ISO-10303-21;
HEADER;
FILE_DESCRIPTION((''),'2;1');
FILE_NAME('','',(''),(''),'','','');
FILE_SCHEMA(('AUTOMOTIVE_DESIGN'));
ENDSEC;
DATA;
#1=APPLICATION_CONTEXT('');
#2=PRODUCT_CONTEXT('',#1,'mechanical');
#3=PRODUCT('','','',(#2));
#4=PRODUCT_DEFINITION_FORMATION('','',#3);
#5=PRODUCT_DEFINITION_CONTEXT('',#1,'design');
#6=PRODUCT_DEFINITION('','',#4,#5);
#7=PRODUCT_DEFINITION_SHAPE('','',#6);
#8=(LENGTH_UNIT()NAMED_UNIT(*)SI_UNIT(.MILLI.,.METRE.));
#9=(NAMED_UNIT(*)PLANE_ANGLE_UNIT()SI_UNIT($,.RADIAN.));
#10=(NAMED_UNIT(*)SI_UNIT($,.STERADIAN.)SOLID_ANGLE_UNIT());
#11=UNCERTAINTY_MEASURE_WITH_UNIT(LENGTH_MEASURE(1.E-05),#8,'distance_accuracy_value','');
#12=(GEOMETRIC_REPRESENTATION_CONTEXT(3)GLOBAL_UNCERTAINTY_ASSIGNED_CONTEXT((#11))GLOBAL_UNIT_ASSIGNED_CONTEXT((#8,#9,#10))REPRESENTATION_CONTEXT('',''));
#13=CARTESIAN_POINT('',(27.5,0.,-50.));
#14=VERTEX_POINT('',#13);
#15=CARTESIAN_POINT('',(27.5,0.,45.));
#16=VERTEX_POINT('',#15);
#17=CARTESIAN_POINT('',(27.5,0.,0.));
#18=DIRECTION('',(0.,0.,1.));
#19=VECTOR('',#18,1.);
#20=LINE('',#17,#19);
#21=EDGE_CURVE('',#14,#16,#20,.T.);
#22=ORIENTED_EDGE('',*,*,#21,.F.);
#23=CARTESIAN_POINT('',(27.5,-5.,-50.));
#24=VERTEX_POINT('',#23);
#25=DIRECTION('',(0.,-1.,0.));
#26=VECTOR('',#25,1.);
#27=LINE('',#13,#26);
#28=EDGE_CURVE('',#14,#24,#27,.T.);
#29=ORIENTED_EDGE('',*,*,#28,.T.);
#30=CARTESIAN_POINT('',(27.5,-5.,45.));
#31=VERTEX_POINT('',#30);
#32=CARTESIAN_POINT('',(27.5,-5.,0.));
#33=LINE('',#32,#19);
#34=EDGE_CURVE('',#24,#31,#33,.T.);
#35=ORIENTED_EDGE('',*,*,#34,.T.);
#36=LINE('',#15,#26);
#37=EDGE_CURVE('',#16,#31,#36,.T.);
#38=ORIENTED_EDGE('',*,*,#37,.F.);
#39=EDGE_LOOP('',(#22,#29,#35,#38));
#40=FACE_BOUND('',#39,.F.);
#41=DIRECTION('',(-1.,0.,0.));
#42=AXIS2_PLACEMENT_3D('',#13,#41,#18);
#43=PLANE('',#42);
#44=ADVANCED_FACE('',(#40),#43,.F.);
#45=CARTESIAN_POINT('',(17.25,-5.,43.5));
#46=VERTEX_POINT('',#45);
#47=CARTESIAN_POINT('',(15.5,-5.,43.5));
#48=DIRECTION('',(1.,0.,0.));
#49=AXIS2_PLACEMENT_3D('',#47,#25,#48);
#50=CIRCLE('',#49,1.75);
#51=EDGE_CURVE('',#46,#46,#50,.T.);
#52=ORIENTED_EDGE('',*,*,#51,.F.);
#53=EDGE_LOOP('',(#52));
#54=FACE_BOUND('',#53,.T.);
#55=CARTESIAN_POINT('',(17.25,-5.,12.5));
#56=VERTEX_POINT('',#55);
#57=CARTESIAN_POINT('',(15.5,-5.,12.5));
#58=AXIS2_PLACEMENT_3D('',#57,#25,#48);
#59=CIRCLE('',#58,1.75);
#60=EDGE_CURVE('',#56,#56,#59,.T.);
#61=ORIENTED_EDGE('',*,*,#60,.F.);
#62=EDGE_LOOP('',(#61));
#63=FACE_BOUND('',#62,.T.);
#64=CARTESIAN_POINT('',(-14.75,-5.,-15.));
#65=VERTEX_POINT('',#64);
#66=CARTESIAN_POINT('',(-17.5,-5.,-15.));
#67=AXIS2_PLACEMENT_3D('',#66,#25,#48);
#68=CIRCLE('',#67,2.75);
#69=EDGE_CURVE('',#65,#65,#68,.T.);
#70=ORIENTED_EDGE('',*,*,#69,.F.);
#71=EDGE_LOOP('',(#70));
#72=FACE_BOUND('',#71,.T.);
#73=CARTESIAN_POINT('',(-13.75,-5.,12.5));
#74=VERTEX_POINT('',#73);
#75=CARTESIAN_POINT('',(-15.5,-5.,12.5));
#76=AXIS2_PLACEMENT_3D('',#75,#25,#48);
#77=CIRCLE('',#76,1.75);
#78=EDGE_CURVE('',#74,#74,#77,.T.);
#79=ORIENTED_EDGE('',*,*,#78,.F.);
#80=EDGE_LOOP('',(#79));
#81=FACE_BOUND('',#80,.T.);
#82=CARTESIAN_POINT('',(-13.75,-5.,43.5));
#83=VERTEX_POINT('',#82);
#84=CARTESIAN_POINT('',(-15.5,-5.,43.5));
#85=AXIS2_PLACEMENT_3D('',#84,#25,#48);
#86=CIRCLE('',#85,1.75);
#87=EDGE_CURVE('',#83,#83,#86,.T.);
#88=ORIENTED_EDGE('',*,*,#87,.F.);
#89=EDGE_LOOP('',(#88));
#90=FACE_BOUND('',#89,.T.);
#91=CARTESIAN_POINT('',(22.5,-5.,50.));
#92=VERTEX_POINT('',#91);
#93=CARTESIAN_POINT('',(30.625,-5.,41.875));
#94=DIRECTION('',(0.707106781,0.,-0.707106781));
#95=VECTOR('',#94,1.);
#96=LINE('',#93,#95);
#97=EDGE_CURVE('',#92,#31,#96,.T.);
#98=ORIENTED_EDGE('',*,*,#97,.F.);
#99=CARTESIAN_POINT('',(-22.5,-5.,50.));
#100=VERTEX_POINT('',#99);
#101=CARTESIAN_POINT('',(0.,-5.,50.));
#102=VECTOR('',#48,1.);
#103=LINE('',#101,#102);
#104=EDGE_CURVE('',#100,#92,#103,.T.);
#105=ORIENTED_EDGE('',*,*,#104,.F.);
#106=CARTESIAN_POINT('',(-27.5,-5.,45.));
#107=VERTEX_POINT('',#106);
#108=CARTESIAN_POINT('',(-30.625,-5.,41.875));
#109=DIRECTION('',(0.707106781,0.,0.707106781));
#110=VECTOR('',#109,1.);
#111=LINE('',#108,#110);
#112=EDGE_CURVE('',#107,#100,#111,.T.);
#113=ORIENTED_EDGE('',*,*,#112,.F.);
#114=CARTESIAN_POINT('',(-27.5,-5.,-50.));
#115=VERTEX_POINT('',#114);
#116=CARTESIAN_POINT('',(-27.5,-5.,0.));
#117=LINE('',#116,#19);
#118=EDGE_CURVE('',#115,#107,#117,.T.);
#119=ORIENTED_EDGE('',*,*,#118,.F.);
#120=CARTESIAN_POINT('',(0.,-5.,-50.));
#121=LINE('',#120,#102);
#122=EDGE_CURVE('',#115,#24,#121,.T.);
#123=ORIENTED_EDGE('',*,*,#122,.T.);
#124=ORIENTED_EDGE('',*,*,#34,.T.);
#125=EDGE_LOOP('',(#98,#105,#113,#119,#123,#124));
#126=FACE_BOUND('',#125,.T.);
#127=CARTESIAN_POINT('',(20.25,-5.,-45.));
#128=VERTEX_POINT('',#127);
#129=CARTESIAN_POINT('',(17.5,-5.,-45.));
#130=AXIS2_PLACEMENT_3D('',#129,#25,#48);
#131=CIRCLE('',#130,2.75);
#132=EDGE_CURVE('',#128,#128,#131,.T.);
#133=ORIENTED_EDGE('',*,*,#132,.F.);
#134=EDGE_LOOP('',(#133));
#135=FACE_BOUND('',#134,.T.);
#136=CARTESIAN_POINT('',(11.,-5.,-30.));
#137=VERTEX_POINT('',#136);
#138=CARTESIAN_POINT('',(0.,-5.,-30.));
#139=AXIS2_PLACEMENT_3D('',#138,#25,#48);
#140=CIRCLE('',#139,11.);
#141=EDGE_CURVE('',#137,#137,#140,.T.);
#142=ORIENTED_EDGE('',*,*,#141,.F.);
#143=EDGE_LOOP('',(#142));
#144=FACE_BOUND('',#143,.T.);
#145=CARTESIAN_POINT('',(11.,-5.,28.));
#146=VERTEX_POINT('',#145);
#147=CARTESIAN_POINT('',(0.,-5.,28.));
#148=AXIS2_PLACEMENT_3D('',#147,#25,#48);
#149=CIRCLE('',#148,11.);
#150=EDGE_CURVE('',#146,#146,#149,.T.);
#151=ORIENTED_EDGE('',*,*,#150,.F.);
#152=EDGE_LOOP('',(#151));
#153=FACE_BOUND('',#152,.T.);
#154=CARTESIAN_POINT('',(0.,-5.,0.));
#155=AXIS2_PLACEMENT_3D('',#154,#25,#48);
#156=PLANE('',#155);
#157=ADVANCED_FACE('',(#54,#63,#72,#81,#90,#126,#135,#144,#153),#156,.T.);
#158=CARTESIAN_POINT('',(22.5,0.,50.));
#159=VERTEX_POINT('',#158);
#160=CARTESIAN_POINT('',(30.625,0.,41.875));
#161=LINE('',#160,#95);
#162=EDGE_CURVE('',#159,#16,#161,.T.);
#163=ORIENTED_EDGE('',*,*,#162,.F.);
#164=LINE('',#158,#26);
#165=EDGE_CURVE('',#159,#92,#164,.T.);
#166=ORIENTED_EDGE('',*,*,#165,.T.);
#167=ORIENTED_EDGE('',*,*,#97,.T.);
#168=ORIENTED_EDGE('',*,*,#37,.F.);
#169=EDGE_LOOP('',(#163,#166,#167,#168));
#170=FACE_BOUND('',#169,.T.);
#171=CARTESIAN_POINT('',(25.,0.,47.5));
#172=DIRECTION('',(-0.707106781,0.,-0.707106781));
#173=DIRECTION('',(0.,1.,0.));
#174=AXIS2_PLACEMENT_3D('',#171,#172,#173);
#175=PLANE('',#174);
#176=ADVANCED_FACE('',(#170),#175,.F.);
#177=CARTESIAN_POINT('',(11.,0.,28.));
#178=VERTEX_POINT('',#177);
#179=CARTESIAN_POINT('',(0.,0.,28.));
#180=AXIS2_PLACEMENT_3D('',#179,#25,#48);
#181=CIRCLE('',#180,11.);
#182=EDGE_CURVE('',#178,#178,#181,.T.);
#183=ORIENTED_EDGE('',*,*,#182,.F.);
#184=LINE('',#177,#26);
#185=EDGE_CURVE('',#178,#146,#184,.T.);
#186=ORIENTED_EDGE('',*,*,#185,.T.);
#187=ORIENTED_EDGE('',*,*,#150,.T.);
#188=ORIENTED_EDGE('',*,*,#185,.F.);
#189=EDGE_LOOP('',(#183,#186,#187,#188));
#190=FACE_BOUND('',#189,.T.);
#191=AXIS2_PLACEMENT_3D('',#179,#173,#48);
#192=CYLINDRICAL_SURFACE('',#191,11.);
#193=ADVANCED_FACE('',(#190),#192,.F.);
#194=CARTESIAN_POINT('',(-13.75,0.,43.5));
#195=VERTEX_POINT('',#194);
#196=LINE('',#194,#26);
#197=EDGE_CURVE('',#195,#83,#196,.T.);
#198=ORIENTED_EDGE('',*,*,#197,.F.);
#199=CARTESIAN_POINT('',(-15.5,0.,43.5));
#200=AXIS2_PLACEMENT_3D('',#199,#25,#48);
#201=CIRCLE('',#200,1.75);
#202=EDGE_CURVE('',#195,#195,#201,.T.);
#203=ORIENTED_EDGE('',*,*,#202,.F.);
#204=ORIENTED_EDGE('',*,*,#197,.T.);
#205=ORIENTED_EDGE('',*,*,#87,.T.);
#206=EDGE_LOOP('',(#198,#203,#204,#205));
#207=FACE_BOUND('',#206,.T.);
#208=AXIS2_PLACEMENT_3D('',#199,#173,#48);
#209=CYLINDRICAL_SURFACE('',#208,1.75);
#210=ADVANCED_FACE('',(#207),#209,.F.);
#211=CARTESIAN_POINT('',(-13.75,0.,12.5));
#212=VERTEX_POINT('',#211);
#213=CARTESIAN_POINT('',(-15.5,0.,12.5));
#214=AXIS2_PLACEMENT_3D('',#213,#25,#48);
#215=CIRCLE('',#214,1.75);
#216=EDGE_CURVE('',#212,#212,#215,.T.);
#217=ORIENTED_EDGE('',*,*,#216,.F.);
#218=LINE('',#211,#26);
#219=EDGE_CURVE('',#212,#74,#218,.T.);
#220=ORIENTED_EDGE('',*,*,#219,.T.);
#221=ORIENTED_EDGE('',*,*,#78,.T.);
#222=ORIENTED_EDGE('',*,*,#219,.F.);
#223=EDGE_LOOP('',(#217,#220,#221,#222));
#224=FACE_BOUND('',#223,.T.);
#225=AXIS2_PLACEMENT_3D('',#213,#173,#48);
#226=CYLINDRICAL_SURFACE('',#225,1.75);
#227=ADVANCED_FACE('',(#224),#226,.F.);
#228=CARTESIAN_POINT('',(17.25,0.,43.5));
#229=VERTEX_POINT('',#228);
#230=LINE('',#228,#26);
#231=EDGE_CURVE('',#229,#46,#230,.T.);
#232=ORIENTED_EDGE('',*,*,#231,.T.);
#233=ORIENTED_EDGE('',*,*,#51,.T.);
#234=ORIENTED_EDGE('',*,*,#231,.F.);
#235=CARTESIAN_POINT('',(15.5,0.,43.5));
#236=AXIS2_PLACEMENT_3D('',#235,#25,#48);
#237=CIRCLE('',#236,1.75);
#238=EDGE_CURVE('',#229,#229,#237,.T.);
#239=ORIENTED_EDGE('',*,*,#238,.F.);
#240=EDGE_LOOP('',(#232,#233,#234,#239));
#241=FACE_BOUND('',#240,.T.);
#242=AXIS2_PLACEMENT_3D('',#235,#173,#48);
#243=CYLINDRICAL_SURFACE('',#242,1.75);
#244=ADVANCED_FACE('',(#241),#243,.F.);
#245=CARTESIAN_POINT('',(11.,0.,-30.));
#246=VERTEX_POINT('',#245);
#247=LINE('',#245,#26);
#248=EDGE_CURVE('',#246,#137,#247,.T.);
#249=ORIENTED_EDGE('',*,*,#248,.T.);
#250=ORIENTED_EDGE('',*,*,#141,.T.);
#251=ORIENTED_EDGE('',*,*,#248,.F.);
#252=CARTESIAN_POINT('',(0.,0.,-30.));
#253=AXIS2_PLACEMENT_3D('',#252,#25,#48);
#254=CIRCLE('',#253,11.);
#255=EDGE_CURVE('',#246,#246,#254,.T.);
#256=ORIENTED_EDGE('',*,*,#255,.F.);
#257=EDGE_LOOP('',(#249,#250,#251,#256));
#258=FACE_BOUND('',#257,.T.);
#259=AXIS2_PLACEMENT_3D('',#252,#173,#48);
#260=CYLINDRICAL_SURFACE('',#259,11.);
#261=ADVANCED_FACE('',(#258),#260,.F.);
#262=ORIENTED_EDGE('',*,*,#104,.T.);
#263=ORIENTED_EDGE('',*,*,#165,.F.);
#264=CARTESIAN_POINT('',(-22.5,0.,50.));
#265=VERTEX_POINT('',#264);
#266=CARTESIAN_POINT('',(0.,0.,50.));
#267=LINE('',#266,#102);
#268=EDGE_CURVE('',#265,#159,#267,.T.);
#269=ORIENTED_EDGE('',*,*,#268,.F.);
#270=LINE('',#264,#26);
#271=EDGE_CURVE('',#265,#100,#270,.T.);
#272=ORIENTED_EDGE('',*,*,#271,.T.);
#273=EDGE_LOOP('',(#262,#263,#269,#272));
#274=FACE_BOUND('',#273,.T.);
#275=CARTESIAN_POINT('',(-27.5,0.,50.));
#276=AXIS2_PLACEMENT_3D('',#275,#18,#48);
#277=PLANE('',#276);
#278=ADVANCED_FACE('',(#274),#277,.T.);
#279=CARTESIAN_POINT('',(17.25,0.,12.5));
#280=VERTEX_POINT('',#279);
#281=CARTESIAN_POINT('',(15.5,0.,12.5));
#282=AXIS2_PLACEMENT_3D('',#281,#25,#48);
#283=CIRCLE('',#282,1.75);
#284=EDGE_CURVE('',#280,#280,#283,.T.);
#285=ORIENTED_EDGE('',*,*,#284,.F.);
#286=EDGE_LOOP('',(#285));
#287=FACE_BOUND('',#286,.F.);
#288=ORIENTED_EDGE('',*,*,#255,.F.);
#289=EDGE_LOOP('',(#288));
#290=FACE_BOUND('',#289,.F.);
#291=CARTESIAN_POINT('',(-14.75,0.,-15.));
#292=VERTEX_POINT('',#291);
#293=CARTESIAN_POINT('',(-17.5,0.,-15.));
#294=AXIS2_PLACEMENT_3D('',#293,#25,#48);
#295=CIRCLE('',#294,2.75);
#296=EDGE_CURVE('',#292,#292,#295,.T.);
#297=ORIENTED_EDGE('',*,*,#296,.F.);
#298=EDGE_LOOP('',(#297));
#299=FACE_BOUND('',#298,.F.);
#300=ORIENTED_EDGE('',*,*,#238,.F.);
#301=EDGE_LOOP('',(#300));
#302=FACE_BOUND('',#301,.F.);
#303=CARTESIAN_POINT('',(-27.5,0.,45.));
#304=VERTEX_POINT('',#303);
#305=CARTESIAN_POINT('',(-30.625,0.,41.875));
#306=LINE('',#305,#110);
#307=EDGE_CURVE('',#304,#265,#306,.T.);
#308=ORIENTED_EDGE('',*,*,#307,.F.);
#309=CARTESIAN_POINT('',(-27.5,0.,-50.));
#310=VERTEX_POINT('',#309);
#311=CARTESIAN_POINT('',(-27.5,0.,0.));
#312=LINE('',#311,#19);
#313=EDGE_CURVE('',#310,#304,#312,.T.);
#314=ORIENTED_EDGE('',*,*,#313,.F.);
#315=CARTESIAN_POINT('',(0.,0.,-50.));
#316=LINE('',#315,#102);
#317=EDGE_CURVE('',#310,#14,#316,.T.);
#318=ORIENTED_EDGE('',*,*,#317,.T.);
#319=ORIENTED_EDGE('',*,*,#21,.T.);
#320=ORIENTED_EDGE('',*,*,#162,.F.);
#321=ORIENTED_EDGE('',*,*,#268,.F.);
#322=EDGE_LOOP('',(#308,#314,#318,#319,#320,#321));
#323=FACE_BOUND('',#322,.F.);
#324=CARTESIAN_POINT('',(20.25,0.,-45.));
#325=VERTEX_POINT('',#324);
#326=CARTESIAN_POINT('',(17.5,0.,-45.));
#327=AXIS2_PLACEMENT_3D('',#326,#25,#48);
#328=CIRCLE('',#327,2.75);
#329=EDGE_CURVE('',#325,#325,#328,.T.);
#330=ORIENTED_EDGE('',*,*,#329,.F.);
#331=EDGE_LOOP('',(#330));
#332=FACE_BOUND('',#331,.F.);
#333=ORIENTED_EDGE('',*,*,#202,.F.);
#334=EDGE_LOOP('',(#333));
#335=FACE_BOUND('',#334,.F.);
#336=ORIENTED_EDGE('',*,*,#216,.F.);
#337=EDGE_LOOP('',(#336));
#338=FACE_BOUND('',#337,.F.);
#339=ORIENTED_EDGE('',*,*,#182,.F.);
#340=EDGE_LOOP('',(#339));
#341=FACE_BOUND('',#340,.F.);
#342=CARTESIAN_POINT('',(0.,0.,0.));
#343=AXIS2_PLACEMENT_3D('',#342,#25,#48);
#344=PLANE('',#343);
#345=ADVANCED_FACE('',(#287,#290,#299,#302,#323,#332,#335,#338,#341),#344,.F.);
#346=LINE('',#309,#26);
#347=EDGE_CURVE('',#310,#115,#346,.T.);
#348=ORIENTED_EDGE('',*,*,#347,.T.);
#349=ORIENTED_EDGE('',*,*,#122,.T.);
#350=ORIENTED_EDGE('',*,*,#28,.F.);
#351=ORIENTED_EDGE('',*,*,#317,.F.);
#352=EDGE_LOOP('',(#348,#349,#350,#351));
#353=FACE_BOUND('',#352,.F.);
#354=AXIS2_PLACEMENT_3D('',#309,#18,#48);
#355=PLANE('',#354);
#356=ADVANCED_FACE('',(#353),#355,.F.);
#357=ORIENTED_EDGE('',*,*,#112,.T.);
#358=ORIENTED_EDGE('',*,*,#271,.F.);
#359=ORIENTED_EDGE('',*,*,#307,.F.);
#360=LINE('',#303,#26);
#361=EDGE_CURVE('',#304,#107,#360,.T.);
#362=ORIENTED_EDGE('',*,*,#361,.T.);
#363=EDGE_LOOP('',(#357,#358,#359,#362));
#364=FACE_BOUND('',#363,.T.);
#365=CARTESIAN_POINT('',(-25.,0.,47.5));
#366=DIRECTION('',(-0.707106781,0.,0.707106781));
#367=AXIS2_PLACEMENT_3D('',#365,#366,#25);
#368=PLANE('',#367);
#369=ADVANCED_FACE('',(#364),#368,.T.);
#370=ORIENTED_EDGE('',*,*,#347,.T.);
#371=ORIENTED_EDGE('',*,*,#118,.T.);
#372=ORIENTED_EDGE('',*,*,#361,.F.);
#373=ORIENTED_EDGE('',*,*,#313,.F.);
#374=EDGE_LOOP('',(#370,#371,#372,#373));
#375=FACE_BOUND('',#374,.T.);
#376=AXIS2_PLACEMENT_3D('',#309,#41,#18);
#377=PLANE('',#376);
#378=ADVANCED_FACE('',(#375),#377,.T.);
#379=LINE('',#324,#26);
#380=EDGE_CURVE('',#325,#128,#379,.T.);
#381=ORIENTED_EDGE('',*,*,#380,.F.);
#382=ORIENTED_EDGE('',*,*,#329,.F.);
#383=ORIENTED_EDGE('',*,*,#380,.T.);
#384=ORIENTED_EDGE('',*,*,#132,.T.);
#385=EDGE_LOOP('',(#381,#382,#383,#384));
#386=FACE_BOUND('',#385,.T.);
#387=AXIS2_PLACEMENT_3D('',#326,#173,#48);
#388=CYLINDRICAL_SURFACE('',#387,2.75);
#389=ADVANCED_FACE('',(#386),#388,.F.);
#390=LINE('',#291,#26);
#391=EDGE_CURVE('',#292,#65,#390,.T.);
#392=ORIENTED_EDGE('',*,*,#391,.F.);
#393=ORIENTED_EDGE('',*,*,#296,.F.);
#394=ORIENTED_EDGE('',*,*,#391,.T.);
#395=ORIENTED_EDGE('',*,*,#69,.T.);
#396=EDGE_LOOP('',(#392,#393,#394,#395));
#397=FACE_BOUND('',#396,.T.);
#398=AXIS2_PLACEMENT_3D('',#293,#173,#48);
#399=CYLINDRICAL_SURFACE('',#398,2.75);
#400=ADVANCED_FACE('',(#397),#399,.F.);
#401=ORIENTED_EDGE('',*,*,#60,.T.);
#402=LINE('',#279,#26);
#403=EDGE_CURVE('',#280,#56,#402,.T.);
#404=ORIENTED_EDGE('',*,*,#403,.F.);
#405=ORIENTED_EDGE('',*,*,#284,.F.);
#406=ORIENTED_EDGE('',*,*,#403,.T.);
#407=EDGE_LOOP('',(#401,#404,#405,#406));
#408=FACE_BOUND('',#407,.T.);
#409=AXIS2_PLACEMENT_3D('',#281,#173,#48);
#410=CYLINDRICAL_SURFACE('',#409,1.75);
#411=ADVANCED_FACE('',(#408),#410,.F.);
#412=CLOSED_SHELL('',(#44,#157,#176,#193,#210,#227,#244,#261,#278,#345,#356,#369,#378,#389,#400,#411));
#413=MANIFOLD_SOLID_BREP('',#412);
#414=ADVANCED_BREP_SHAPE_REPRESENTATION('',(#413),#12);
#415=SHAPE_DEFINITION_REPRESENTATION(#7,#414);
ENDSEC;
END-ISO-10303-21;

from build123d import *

# Parameters (mm, degrees)
F0_W     = 55
F0_H     = 100
F0_R     = 2.75
F0_R_2   = 11
F0_R_3   = 1.75
F1_DEPTH = 5
F2_SIZE  = 5
F3_SIZE  = 5


with BuildPart() as f1:
    # F0 (on Front) → F1 (new body)
    with BuildSketch(Plane.XZ):
        Rectangle(F0_W, F0_H)
        with Locations((-17.5, -15)):
            Circle(F0_R, mode=Mode.SUBTRACT)
        with Locations((0, -30)):
            Circle(F0_R_2, mode=Mode.SUBTRACT)
        with Locations((17.5, -45)):
            Circle(F0_R, mode=Mode.SUBTRACT)
        with Locations((-15.5, 12.5)):
            Circle(F0_R_3, mode=Mode.SUBTRACT)
        with Locations((-15.5, 43.5)):
            Circle(F0_R_3, mode=Mode.SUBTRACT)
        with Locations((15.5, 12.5)):
            Circle(F0_R_3, mode=Mode.SUBTRACT)
        with Locations((0, 28)):
            Circle(F0_R_2, mode=Mode.SUBTRACT)
        with Locations((15.5, 43.5)):
            Circle(F0_R_3, mode=Mode.SUBTRACT)
    extrude(amount=F1_DEPTH)

    # F2
    f2_edges = [f1.edges().sort_by_distance(p)[0] for p in [
        (-27.5, -2.5, 50),
    ]]
    chamfer(f2_edges, length=F2_SIZE)

    # F3
    f3_edges = [f1.edges().sort_by_distance(p)[0] for p in [
        (27.5, -2.5, 50),
    ]]
    chamfer(f3_edges, length=F3_SIZE)


solid = f1.part
